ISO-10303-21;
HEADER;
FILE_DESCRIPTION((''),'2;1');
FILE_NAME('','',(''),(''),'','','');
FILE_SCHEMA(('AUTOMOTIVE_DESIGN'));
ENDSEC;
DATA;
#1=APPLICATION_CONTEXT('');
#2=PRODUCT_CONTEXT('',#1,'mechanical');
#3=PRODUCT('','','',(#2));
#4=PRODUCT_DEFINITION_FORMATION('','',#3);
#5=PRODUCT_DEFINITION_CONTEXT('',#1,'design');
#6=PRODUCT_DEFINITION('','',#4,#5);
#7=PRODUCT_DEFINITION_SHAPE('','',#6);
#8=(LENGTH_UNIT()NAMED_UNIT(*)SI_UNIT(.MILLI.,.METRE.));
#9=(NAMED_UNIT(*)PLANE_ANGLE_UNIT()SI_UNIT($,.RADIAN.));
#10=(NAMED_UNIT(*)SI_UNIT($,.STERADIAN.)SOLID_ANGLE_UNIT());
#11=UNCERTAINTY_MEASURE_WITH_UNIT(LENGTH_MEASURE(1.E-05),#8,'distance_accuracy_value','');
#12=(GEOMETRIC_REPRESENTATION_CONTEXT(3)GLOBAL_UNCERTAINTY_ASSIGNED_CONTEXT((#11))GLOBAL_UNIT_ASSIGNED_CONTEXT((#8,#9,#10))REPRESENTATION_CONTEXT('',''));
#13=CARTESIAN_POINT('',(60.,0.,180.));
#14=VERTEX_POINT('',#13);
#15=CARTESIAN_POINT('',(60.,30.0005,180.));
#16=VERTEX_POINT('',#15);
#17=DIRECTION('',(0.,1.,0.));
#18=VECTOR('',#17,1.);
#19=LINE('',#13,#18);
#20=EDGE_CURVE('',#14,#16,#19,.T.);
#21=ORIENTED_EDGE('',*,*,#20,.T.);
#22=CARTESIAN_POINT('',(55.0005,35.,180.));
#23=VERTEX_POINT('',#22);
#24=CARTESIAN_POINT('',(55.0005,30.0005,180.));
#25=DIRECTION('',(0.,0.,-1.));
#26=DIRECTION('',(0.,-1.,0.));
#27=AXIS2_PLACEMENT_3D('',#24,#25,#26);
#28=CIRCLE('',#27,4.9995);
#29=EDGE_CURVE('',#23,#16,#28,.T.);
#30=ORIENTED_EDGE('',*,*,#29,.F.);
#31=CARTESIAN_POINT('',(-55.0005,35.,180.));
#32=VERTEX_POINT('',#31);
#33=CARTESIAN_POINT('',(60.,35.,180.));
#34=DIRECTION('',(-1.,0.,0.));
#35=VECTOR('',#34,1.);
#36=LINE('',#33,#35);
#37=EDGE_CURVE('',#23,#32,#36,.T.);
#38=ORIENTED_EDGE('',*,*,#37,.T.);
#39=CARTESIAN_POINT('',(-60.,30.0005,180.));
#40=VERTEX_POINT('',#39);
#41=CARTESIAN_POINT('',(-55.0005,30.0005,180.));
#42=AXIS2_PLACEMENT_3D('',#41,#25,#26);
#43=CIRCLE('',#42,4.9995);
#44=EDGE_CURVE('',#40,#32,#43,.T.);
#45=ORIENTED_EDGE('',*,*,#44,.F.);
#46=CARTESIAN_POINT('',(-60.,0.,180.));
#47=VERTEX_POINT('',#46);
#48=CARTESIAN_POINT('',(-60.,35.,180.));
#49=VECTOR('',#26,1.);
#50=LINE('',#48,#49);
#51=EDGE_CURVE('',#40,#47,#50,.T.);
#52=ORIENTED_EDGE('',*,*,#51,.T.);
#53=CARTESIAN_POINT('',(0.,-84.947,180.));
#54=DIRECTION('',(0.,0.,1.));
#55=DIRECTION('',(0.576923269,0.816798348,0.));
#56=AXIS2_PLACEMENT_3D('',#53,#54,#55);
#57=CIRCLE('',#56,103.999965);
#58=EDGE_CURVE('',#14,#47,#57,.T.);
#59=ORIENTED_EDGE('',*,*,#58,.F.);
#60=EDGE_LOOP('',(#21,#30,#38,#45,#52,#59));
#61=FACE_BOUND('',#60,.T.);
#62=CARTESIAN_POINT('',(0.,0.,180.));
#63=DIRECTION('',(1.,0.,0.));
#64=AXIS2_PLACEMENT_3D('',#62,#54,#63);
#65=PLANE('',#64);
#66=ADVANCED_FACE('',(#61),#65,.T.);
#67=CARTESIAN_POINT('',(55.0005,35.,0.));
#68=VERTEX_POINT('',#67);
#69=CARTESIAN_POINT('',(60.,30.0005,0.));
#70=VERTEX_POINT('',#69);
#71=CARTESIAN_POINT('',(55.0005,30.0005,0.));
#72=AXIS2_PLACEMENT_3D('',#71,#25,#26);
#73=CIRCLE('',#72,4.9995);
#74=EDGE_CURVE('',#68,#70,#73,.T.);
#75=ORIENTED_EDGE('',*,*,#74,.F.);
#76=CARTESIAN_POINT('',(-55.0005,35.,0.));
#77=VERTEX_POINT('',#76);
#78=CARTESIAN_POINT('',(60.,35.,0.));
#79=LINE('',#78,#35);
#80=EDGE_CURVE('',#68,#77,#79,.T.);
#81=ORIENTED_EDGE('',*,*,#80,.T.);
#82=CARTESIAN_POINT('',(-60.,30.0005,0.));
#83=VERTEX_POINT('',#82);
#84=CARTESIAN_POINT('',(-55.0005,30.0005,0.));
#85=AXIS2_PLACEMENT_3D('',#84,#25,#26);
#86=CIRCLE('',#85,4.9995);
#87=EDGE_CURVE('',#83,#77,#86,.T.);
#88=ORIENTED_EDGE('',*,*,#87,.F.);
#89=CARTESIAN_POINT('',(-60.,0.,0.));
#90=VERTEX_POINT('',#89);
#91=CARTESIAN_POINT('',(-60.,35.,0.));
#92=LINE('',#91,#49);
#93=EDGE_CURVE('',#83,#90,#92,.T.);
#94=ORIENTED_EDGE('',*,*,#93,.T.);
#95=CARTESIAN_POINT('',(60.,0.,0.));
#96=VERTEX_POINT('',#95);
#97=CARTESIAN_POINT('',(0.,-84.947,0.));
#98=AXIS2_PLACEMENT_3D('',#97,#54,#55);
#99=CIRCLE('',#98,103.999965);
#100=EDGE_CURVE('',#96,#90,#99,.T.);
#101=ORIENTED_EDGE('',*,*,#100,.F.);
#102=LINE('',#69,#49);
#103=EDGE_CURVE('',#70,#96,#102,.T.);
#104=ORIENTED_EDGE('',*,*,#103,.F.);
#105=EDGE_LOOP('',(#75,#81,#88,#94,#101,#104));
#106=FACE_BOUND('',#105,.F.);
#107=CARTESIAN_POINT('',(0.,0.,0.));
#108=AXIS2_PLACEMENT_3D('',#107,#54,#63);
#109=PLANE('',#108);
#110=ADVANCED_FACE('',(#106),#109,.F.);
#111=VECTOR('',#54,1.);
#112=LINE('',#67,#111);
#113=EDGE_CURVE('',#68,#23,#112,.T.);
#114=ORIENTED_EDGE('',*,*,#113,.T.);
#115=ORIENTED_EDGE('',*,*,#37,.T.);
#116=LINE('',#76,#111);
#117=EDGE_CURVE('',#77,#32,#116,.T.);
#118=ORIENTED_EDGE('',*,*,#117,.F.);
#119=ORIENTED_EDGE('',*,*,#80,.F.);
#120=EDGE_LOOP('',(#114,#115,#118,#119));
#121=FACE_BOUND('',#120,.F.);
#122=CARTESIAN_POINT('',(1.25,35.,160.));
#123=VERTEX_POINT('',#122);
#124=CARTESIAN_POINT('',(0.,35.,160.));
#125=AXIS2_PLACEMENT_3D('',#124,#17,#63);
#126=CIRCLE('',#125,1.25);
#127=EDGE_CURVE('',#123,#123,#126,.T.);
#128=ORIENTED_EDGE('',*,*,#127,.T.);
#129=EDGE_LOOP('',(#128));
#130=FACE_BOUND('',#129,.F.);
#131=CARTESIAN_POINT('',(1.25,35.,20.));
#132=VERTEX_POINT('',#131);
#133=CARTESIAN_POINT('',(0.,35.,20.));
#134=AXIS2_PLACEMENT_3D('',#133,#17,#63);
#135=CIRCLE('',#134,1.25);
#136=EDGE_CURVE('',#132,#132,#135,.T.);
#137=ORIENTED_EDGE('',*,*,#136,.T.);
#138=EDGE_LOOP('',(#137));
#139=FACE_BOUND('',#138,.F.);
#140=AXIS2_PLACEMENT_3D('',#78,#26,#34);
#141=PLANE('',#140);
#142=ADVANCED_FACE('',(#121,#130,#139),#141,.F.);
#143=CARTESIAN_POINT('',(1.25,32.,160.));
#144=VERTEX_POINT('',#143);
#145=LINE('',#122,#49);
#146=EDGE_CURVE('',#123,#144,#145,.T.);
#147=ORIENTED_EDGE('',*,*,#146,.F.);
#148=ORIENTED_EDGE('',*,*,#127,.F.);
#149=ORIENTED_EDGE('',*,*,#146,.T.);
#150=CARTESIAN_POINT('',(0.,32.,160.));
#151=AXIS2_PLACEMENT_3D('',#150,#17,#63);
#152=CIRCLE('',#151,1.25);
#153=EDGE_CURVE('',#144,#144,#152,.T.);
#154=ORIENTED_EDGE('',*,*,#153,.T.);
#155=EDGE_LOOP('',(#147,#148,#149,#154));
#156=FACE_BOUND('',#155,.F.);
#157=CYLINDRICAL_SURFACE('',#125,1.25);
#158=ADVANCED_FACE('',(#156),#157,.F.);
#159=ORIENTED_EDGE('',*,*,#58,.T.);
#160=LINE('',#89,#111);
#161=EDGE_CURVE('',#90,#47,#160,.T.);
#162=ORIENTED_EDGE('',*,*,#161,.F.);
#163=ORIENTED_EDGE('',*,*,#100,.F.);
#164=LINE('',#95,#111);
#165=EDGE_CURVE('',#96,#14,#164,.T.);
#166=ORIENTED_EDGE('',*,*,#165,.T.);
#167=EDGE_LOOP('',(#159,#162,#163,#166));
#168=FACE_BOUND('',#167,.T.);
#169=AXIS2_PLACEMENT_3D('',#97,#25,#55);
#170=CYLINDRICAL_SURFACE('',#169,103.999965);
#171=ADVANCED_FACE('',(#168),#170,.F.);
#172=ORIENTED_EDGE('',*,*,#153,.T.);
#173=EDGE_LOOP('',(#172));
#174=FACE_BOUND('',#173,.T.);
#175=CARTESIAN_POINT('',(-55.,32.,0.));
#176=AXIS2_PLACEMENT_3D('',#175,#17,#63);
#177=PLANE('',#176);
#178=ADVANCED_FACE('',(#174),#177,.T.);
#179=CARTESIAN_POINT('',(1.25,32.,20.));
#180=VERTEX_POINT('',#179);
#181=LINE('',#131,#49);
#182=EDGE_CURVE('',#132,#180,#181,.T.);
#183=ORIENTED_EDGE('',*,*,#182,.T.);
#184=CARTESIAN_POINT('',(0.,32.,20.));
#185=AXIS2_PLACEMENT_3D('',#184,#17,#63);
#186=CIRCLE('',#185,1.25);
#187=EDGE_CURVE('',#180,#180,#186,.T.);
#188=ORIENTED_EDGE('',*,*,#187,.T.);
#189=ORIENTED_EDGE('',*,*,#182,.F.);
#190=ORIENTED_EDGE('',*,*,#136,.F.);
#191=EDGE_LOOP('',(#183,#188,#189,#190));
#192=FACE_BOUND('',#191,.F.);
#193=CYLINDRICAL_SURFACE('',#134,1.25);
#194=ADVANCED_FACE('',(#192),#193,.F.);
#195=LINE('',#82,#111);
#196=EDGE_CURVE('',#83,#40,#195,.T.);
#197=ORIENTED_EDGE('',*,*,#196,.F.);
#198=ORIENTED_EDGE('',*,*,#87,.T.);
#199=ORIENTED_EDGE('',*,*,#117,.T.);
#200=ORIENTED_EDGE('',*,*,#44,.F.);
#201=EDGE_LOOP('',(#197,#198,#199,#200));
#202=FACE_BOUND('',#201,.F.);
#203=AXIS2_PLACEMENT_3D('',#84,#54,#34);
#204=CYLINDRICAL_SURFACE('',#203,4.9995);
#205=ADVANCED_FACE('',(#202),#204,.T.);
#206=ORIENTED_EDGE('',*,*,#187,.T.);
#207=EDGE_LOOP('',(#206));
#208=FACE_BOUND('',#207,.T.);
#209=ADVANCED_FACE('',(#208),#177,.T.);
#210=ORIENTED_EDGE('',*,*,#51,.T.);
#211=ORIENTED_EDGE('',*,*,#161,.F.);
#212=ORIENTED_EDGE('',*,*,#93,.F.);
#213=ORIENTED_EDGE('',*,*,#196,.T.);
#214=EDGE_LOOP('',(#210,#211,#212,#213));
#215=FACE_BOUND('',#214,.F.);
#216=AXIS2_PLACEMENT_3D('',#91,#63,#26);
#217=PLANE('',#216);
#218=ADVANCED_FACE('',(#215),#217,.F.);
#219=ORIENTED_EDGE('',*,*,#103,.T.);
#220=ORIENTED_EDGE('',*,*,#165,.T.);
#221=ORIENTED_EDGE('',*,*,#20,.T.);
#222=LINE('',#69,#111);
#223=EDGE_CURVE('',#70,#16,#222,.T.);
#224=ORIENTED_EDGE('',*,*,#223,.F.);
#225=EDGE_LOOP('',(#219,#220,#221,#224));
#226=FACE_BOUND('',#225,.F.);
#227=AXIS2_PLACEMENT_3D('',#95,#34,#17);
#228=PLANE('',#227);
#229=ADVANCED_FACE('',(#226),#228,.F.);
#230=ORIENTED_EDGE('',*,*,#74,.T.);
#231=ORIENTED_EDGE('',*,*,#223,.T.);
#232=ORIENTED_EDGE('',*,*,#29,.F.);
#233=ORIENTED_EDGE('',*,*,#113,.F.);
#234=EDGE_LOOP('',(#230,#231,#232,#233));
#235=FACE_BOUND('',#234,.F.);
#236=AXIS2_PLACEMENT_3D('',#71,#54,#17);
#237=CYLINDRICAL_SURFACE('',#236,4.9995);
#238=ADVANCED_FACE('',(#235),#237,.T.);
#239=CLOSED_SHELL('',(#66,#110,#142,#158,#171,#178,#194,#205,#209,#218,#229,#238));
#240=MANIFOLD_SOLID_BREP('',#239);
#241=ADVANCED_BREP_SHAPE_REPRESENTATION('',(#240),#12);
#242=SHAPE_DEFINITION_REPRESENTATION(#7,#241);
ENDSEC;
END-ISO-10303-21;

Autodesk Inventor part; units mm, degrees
ref_plane "YZ Plane" through (0, 0, 0) normal (1, 0, 0) x (0, 1, 0)
ref_plane "XZ Plane" through (0, 0, 0) normal (0, 1, 0) x (-1, 0, 0)
ref_plane "XY Plane" through (0, 0, 0) normal (0, 0, 1) x (1, 0, 0)
sketch "Sketch1" plane through (0, 0, 0) normal (0, 0, 1) x (1, 0, 0)
  arc A0 (60, 0) -> (-60, 0) centre (0, -84.947) ccw
  line L0 (60, 0) -> (60, 30)
  line L1 (60, 30) -> (60, 35)
  line L2 (-60, 35) -> (-60, 0)
  line L3 (60, 35) -> (-60, 35)
  point P0 (0, 0)
  dimension "d2" = 104
  dimension "d9" = 30
  dimension "d10" = 5
extrude "Extrusion1" add sketch "Sketch1" along normal blind 180
fillet "Fillet5" radius 5 2 edges at (-60, 35, 90) (60, 35, 90)
sketch "Sketch5" plane through (-55, 35, 0) normal (0, 1, 0) x (1, 0, 0)
  line L0 (115, -180) -> (-5, -180) projected
  circle A0 centre (55, -160) radius 1.25
  circle A1 centre (55, -20) radius 1.25
  point P0 (55, 0)
extrude "Extrusion5" cut sketch "Sketch5" against normal blind 3
thread "Thread4" size "M2.5x0.45" class "6H" standard "ANSI Metric M Profile" full length
thread "Thread5" size "M2.5x0.45" class "6H" standard "ANSI Metric M Profile" full length
properties part number "NEW Dudukan di Bearring"
